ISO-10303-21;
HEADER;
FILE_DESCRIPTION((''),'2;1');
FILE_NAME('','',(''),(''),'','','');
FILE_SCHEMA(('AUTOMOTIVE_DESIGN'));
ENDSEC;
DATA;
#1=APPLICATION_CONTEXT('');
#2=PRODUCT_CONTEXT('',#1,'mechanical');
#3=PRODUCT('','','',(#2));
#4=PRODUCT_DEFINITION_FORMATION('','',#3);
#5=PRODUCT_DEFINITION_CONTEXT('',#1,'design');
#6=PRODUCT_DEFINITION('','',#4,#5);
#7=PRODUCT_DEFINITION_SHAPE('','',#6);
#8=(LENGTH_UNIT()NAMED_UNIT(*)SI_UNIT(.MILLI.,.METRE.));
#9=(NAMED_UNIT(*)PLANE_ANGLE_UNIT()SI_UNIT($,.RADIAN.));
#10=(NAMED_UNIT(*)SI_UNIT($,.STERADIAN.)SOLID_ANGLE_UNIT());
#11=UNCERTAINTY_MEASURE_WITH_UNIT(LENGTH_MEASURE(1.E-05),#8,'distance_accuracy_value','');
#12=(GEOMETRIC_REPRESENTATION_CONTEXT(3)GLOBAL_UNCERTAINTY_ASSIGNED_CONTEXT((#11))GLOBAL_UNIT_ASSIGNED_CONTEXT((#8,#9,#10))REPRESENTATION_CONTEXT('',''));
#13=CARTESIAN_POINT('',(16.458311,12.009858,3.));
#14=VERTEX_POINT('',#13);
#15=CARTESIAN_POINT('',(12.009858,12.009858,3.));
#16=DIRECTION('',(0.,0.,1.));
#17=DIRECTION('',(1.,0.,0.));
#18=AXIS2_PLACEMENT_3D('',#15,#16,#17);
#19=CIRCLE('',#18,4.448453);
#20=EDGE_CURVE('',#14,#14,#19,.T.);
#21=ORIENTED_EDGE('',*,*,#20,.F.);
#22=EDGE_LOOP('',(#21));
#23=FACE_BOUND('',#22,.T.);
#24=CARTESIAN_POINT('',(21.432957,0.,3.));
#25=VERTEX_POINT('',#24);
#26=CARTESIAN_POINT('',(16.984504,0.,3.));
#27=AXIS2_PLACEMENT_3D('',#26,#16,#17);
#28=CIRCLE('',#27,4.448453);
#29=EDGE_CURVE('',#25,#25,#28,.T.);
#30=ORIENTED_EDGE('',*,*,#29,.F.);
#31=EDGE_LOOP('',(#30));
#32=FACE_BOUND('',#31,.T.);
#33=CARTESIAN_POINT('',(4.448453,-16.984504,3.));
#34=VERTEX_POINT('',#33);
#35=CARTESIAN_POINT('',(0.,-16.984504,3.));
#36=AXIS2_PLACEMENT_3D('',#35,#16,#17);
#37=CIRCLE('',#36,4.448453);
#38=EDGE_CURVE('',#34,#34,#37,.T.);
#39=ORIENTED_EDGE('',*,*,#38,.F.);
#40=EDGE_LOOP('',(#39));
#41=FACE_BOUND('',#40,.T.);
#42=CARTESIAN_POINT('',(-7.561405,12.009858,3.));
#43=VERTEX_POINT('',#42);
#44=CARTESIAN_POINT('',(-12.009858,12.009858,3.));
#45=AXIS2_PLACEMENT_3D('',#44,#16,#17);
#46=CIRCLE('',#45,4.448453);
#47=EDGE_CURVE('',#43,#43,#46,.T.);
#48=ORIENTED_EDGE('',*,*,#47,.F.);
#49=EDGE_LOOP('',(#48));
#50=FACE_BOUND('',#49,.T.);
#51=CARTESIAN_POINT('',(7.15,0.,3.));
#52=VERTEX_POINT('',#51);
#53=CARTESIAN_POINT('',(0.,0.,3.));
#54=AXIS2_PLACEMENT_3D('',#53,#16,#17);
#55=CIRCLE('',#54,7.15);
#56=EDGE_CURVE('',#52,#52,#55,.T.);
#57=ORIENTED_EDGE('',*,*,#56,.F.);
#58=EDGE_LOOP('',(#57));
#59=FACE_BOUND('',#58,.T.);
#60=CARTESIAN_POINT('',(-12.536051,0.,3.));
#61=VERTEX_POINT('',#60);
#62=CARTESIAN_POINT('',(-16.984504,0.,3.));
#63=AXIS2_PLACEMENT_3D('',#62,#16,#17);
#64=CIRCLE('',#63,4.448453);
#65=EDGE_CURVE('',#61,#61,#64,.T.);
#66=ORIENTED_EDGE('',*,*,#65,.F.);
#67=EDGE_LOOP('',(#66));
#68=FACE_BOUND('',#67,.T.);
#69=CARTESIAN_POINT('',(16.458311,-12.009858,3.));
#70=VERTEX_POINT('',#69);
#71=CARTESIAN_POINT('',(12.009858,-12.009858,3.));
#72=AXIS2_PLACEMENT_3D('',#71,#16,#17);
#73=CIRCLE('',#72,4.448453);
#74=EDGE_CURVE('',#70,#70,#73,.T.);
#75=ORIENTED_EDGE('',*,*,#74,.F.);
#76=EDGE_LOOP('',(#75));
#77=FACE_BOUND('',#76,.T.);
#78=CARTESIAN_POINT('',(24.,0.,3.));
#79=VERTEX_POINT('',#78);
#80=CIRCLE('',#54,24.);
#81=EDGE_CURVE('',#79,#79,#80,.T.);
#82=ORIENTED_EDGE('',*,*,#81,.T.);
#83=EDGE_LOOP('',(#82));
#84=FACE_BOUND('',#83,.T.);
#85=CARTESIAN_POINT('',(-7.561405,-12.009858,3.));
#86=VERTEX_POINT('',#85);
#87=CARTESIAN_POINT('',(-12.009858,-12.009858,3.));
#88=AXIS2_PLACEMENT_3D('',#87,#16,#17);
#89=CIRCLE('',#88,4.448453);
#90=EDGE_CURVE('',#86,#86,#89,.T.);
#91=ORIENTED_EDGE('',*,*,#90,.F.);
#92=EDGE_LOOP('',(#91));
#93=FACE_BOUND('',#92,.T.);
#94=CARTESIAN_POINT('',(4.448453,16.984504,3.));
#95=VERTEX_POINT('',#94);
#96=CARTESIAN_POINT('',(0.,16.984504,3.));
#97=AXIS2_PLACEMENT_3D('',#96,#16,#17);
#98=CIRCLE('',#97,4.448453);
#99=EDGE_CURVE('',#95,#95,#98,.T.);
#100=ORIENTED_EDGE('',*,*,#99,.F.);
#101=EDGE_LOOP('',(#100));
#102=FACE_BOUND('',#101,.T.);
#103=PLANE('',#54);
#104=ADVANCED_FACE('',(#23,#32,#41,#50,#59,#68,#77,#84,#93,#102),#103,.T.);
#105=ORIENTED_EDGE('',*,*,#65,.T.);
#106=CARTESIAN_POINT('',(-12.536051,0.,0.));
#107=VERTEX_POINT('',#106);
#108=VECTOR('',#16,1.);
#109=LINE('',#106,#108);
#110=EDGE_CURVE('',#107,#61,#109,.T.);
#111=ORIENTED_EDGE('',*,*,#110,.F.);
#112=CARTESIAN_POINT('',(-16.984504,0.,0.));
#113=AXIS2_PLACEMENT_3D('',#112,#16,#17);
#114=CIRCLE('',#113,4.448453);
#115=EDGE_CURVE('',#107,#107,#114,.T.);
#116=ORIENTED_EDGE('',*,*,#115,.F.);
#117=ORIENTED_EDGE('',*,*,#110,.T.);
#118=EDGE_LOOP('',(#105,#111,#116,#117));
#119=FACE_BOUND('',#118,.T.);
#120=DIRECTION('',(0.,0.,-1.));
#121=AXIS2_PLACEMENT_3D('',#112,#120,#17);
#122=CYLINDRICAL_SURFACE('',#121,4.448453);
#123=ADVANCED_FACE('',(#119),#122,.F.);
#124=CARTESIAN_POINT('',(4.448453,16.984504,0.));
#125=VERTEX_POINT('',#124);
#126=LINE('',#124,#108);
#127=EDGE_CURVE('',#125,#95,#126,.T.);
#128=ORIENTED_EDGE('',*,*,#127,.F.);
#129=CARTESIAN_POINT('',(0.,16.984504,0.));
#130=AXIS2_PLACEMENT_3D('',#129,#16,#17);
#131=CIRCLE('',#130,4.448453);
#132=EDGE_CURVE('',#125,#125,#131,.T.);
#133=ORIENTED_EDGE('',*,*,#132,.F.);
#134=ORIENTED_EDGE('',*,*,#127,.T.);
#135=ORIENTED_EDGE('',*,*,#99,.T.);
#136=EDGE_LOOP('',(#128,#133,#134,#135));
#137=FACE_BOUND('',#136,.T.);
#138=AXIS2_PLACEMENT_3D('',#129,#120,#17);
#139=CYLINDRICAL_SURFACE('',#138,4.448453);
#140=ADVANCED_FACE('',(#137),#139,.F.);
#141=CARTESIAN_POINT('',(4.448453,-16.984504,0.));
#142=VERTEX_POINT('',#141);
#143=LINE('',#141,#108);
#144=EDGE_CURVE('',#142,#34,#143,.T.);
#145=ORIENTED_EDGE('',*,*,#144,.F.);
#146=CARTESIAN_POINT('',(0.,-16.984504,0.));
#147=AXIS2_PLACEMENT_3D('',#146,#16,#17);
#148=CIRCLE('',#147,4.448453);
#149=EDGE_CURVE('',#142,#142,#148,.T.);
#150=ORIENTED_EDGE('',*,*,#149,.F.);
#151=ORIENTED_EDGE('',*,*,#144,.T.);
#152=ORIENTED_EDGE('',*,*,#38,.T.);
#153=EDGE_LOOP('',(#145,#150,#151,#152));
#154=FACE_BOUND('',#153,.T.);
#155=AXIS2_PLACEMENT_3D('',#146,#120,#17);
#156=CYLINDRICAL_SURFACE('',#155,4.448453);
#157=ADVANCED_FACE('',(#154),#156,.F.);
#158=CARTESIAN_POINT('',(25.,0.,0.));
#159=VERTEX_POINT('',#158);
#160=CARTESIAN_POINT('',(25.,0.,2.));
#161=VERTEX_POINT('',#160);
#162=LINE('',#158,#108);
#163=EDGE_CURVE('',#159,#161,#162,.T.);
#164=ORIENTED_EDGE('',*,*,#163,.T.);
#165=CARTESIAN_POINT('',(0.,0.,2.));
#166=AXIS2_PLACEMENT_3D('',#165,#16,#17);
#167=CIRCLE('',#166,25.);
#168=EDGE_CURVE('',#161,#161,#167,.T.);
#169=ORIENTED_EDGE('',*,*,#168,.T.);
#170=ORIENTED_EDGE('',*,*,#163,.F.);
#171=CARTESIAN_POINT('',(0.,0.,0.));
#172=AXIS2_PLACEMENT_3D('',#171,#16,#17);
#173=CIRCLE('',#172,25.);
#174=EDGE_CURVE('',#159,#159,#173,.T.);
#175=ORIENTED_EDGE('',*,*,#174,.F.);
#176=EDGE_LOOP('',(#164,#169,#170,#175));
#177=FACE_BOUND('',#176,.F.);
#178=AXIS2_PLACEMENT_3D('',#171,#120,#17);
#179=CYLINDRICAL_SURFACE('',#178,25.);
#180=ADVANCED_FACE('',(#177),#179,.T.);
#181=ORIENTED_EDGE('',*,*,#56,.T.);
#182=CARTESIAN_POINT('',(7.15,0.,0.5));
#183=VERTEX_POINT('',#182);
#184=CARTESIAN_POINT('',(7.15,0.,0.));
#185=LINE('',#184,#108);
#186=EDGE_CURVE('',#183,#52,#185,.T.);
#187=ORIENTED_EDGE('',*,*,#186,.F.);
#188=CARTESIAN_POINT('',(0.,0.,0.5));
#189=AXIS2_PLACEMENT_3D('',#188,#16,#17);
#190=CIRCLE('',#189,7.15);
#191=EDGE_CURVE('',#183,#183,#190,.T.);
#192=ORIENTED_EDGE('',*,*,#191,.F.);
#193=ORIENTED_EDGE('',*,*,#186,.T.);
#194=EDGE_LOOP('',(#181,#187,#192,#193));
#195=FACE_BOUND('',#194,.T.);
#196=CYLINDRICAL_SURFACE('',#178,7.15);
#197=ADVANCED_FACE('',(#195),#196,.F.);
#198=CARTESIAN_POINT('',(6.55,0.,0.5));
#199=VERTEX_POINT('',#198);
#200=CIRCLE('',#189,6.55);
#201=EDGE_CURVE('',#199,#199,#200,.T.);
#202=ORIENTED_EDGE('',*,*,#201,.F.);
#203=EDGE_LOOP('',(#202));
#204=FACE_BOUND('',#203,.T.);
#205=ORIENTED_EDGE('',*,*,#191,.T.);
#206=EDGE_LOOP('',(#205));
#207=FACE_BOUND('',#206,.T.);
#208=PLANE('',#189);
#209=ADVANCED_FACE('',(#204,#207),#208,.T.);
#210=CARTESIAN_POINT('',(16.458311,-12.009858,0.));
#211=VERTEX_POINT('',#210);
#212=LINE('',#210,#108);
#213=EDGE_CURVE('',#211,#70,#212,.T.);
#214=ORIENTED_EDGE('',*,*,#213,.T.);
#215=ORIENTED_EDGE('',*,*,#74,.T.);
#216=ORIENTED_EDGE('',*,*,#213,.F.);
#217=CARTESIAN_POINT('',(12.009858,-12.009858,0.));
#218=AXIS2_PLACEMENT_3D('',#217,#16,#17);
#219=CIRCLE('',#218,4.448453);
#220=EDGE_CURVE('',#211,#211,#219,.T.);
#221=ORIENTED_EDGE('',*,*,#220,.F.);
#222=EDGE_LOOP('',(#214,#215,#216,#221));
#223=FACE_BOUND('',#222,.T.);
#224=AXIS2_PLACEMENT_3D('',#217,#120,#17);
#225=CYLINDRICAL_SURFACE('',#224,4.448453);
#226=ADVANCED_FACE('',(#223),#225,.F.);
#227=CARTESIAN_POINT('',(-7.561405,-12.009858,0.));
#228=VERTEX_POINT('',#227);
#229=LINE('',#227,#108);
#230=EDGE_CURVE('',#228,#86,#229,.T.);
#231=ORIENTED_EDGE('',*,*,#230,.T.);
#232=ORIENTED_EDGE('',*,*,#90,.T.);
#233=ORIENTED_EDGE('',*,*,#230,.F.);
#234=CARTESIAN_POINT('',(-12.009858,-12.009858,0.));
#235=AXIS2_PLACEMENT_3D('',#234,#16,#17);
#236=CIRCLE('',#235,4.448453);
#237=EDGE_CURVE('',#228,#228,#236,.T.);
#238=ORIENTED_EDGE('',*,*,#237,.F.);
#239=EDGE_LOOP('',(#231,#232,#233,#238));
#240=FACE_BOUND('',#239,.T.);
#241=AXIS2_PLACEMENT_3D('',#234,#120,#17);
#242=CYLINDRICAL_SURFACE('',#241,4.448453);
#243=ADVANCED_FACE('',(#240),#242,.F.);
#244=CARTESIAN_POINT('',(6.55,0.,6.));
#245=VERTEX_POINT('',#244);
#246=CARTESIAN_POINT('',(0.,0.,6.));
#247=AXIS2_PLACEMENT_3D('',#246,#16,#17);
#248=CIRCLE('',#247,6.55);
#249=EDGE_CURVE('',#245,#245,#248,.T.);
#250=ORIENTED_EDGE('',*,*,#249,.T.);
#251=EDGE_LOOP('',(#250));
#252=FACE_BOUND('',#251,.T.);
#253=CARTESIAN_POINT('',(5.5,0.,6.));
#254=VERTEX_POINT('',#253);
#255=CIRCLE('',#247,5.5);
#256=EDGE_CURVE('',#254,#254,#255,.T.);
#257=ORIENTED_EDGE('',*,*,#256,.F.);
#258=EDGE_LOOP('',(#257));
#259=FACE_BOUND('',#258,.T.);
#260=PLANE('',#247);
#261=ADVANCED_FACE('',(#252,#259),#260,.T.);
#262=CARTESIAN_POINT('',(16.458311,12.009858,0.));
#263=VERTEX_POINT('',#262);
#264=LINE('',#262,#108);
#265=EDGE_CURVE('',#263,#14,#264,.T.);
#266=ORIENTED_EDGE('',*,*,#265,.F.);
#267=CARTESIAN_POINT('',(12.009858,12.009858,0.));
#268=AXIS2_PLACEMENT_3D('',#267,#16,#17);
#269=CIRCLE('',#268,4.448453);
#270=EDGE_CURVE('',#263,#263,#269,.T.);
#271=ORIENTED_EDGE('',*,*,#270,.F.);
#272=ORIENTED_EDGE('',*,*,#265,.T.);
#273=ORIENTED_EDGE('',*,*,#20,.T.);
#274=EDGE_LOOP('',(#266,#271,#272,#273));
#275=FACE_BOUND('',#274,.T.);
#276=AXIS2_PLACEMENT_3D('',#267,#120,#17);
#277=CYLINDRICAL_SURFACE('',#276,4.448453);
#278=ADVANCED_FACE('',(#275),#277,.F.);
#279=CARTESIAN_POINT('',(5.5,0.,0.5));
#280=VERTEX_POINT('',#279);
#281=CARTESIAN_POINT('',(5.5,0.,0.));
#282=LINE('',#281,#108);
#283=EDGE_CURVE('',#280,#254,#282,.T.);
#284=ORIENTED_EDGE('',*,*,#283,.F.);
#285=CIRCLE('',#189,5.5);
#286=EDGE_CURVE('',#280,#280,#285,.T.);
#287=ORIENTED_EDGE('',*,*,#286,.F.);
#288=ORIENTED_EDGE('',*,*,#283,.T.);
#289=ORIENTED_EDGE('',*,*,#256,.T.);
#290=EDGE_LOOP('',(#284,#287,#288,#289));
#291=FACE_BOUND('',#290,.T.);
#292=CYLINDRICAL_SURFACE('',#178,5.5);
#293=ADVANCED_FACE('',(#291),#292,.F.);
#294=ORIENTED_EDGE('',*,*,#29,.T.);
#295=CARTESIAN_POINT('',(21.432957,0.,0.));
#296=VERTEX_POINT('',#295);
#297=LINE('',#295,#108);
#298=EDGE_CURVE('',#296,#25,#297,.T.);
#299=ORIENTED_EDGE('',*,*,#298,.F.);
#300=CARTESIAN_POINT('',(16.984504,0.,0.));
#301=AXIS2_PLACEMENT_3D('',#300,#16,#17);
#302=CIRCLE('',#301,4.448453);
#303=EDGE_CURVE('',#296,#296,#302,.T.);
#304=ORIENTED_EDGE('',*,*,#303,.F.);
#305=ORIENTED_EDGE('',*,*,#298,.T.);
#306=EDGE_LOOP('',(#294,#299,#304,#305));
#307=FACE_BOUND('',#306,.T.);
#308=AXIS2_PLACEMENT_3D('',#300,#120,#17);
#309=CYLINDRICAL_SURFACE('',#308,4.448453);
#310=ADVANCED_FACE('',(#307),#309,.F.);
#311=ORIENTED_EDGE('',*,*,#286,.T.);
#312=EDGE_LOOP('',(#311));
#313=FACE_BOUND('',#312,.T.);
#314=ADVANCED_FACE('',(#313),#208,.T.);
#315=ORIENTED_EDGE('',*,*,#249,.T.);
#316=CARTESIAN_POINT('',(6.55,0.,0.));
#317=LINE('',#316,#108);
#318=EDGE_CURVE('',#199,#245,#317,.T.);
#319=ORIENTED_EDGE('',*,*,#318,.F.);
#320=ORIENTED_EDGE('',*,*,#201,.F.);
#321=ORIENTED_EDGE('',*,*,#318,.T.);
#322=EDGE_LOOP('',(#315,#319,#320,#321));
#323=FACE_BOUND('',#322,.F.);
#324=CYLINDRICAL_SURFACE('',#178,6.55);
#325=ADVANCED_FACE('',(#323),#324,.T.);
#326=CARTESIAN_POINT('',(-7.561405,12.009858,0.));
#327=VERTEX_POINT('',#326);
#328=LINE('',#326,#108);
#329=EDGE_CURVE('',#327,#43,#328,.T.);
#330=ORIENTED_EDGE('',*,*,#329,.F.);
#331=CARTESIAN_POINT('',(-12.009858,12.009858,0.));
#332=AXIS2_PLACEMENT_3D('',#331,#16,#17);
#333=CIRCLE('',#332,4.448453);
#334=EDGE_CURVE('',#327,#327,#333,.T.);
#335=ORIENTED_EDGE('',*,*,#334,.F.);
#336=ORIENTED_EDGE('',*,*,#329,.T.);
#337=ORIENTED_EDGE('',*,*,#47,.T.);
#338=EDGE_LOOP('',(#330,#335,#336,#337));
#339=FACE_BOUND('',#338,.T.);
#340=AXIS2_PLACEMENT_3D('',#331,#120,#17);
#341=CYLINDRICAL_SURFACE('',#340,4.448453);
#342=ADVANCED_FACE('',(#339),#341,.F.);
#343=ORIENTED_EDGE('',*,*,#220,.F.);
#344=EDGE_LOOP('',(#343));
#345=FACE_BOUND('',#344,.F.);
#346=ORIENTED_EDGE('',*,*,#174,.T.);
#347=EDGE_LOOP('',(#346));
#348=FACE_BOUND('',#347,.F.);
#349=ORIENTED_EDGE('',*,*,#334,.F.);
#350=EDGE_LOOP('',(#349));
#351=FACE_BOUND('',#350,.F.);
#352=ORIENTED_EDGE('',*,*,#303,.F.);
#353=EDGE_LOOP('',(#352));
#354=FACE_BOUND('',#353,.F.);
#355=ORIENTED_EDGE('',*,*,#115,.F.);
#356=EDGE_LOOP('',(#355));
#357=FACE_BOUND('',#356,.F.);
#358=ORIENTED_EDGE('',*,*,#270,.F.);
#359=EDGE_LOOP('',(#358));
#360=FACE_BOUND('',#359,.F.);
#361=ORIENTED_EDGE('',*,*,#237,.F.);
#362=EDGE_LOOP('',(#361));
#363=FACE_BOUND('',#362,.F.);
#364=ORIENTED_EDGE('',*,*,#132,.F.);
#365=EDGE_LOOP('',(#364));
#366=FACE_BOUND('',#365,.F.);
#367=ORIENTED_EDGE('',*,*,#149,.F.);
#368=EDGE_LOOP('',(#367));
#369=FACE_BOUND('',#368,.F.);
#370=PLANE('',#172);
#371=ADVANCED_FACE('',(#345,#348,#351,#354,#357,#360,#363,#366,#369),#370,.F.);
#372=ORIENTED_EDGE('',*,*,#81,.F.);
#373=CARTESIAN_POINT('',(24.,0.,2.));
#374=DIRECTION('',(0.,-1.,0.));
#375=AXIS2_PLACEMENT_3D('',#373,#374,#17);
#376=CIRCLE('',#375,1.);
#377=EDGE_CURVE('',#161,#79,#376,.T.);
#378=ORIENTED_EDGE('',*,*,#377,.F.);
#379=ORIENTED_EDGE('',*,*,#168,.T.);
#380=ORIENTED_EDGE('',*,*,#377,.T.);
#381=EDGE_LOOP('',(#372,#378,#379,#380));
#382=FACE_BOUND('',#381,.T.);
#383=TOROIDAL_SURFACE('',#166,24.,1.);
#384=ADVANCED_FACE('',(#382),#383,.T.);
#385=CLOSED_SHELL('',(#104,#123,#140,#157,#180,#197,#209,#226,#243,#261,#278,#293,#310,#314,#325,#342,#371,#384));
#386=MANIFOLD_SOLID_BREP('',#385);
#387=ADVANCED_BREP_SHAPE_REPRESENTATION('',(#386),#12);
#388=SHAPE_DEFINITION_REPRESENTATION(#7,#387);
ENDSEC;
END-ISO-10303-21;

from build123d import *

# Parameters (mm, degrees)
F0_R     = 6.55
F0_R_2   = 5.5
F1_DEPTH = 6
F0_R_3   = 7.15
F2_DEPTH = 0.5
F0_R_4   = 25
F0_R_5   = 4.448453
F3_DEPTH = 3
F4_R     = 1


with BuildPart() as f1:
    # F0 (on Top) → F1 (new body)
    with BuildSketch(Plane.XY):
        Circle(F0_R)
        Circle(F0_R_2, mode=Mode.SUBTRACT)
    extrude(amount=F1_DEPTH)

    # F0 (on Top) → F2 (join)
    with BuildSketch(Plane.XY):
        Circle(F0_R_3)
        Circle(F0_R, mode=Mode.SUBTRACT)
        Circle(F0_R_2)
    extrude(amount=F2_DEPTH)

    # F0 (on Top) → F3 (join)
    with BuildSketch(Plane.XY):
        Circle(F0_R_4)
        with Locations((-12.009858, -12.009858)):
            Circle(F0_R_5, mode=Mode.SUBTRACT)
        with Locations((0, -16.984504)):
            Circle(F0_R_5, mode=Mode.SUBTRACT)
        with Locations((12.009858, -12.009858)):
            Circle(F0_R_5, mode=Mode.SUBTRACT)
        with Locations((-16.984504, 0)):
            Circle(F0_R_5, mode=Mode.SUBTRACT)
        with Locations((-12.009858, 12.009858)):
            Circle(F0_R_5, mode=Mode.SUBTRACT)
        Circle(F0_R_3, mode=Mode.SUBTRACT)
        with Locations((12.009858, 12.009858)):
            Circle(F0_R_5, mode=Mode.SUBTRACT)
        with Locations((16.984504, 0)):
            Circle(F0_R_5, mode=Mode.SUBTRACT)
        with Locations((0, 16.984504)):
            Circle(F0_R_5, mode=Mode.SUBTRACT)
    extrude(amount=F3_DEPTH)

    # F4
    f4_edges = [f1.edges().sort_by_distance(p)[0] for p in [
        (-25, 0, 3),
    ]]
    fillet(f4_edges, radius=F4_R)


solid = f1.part
